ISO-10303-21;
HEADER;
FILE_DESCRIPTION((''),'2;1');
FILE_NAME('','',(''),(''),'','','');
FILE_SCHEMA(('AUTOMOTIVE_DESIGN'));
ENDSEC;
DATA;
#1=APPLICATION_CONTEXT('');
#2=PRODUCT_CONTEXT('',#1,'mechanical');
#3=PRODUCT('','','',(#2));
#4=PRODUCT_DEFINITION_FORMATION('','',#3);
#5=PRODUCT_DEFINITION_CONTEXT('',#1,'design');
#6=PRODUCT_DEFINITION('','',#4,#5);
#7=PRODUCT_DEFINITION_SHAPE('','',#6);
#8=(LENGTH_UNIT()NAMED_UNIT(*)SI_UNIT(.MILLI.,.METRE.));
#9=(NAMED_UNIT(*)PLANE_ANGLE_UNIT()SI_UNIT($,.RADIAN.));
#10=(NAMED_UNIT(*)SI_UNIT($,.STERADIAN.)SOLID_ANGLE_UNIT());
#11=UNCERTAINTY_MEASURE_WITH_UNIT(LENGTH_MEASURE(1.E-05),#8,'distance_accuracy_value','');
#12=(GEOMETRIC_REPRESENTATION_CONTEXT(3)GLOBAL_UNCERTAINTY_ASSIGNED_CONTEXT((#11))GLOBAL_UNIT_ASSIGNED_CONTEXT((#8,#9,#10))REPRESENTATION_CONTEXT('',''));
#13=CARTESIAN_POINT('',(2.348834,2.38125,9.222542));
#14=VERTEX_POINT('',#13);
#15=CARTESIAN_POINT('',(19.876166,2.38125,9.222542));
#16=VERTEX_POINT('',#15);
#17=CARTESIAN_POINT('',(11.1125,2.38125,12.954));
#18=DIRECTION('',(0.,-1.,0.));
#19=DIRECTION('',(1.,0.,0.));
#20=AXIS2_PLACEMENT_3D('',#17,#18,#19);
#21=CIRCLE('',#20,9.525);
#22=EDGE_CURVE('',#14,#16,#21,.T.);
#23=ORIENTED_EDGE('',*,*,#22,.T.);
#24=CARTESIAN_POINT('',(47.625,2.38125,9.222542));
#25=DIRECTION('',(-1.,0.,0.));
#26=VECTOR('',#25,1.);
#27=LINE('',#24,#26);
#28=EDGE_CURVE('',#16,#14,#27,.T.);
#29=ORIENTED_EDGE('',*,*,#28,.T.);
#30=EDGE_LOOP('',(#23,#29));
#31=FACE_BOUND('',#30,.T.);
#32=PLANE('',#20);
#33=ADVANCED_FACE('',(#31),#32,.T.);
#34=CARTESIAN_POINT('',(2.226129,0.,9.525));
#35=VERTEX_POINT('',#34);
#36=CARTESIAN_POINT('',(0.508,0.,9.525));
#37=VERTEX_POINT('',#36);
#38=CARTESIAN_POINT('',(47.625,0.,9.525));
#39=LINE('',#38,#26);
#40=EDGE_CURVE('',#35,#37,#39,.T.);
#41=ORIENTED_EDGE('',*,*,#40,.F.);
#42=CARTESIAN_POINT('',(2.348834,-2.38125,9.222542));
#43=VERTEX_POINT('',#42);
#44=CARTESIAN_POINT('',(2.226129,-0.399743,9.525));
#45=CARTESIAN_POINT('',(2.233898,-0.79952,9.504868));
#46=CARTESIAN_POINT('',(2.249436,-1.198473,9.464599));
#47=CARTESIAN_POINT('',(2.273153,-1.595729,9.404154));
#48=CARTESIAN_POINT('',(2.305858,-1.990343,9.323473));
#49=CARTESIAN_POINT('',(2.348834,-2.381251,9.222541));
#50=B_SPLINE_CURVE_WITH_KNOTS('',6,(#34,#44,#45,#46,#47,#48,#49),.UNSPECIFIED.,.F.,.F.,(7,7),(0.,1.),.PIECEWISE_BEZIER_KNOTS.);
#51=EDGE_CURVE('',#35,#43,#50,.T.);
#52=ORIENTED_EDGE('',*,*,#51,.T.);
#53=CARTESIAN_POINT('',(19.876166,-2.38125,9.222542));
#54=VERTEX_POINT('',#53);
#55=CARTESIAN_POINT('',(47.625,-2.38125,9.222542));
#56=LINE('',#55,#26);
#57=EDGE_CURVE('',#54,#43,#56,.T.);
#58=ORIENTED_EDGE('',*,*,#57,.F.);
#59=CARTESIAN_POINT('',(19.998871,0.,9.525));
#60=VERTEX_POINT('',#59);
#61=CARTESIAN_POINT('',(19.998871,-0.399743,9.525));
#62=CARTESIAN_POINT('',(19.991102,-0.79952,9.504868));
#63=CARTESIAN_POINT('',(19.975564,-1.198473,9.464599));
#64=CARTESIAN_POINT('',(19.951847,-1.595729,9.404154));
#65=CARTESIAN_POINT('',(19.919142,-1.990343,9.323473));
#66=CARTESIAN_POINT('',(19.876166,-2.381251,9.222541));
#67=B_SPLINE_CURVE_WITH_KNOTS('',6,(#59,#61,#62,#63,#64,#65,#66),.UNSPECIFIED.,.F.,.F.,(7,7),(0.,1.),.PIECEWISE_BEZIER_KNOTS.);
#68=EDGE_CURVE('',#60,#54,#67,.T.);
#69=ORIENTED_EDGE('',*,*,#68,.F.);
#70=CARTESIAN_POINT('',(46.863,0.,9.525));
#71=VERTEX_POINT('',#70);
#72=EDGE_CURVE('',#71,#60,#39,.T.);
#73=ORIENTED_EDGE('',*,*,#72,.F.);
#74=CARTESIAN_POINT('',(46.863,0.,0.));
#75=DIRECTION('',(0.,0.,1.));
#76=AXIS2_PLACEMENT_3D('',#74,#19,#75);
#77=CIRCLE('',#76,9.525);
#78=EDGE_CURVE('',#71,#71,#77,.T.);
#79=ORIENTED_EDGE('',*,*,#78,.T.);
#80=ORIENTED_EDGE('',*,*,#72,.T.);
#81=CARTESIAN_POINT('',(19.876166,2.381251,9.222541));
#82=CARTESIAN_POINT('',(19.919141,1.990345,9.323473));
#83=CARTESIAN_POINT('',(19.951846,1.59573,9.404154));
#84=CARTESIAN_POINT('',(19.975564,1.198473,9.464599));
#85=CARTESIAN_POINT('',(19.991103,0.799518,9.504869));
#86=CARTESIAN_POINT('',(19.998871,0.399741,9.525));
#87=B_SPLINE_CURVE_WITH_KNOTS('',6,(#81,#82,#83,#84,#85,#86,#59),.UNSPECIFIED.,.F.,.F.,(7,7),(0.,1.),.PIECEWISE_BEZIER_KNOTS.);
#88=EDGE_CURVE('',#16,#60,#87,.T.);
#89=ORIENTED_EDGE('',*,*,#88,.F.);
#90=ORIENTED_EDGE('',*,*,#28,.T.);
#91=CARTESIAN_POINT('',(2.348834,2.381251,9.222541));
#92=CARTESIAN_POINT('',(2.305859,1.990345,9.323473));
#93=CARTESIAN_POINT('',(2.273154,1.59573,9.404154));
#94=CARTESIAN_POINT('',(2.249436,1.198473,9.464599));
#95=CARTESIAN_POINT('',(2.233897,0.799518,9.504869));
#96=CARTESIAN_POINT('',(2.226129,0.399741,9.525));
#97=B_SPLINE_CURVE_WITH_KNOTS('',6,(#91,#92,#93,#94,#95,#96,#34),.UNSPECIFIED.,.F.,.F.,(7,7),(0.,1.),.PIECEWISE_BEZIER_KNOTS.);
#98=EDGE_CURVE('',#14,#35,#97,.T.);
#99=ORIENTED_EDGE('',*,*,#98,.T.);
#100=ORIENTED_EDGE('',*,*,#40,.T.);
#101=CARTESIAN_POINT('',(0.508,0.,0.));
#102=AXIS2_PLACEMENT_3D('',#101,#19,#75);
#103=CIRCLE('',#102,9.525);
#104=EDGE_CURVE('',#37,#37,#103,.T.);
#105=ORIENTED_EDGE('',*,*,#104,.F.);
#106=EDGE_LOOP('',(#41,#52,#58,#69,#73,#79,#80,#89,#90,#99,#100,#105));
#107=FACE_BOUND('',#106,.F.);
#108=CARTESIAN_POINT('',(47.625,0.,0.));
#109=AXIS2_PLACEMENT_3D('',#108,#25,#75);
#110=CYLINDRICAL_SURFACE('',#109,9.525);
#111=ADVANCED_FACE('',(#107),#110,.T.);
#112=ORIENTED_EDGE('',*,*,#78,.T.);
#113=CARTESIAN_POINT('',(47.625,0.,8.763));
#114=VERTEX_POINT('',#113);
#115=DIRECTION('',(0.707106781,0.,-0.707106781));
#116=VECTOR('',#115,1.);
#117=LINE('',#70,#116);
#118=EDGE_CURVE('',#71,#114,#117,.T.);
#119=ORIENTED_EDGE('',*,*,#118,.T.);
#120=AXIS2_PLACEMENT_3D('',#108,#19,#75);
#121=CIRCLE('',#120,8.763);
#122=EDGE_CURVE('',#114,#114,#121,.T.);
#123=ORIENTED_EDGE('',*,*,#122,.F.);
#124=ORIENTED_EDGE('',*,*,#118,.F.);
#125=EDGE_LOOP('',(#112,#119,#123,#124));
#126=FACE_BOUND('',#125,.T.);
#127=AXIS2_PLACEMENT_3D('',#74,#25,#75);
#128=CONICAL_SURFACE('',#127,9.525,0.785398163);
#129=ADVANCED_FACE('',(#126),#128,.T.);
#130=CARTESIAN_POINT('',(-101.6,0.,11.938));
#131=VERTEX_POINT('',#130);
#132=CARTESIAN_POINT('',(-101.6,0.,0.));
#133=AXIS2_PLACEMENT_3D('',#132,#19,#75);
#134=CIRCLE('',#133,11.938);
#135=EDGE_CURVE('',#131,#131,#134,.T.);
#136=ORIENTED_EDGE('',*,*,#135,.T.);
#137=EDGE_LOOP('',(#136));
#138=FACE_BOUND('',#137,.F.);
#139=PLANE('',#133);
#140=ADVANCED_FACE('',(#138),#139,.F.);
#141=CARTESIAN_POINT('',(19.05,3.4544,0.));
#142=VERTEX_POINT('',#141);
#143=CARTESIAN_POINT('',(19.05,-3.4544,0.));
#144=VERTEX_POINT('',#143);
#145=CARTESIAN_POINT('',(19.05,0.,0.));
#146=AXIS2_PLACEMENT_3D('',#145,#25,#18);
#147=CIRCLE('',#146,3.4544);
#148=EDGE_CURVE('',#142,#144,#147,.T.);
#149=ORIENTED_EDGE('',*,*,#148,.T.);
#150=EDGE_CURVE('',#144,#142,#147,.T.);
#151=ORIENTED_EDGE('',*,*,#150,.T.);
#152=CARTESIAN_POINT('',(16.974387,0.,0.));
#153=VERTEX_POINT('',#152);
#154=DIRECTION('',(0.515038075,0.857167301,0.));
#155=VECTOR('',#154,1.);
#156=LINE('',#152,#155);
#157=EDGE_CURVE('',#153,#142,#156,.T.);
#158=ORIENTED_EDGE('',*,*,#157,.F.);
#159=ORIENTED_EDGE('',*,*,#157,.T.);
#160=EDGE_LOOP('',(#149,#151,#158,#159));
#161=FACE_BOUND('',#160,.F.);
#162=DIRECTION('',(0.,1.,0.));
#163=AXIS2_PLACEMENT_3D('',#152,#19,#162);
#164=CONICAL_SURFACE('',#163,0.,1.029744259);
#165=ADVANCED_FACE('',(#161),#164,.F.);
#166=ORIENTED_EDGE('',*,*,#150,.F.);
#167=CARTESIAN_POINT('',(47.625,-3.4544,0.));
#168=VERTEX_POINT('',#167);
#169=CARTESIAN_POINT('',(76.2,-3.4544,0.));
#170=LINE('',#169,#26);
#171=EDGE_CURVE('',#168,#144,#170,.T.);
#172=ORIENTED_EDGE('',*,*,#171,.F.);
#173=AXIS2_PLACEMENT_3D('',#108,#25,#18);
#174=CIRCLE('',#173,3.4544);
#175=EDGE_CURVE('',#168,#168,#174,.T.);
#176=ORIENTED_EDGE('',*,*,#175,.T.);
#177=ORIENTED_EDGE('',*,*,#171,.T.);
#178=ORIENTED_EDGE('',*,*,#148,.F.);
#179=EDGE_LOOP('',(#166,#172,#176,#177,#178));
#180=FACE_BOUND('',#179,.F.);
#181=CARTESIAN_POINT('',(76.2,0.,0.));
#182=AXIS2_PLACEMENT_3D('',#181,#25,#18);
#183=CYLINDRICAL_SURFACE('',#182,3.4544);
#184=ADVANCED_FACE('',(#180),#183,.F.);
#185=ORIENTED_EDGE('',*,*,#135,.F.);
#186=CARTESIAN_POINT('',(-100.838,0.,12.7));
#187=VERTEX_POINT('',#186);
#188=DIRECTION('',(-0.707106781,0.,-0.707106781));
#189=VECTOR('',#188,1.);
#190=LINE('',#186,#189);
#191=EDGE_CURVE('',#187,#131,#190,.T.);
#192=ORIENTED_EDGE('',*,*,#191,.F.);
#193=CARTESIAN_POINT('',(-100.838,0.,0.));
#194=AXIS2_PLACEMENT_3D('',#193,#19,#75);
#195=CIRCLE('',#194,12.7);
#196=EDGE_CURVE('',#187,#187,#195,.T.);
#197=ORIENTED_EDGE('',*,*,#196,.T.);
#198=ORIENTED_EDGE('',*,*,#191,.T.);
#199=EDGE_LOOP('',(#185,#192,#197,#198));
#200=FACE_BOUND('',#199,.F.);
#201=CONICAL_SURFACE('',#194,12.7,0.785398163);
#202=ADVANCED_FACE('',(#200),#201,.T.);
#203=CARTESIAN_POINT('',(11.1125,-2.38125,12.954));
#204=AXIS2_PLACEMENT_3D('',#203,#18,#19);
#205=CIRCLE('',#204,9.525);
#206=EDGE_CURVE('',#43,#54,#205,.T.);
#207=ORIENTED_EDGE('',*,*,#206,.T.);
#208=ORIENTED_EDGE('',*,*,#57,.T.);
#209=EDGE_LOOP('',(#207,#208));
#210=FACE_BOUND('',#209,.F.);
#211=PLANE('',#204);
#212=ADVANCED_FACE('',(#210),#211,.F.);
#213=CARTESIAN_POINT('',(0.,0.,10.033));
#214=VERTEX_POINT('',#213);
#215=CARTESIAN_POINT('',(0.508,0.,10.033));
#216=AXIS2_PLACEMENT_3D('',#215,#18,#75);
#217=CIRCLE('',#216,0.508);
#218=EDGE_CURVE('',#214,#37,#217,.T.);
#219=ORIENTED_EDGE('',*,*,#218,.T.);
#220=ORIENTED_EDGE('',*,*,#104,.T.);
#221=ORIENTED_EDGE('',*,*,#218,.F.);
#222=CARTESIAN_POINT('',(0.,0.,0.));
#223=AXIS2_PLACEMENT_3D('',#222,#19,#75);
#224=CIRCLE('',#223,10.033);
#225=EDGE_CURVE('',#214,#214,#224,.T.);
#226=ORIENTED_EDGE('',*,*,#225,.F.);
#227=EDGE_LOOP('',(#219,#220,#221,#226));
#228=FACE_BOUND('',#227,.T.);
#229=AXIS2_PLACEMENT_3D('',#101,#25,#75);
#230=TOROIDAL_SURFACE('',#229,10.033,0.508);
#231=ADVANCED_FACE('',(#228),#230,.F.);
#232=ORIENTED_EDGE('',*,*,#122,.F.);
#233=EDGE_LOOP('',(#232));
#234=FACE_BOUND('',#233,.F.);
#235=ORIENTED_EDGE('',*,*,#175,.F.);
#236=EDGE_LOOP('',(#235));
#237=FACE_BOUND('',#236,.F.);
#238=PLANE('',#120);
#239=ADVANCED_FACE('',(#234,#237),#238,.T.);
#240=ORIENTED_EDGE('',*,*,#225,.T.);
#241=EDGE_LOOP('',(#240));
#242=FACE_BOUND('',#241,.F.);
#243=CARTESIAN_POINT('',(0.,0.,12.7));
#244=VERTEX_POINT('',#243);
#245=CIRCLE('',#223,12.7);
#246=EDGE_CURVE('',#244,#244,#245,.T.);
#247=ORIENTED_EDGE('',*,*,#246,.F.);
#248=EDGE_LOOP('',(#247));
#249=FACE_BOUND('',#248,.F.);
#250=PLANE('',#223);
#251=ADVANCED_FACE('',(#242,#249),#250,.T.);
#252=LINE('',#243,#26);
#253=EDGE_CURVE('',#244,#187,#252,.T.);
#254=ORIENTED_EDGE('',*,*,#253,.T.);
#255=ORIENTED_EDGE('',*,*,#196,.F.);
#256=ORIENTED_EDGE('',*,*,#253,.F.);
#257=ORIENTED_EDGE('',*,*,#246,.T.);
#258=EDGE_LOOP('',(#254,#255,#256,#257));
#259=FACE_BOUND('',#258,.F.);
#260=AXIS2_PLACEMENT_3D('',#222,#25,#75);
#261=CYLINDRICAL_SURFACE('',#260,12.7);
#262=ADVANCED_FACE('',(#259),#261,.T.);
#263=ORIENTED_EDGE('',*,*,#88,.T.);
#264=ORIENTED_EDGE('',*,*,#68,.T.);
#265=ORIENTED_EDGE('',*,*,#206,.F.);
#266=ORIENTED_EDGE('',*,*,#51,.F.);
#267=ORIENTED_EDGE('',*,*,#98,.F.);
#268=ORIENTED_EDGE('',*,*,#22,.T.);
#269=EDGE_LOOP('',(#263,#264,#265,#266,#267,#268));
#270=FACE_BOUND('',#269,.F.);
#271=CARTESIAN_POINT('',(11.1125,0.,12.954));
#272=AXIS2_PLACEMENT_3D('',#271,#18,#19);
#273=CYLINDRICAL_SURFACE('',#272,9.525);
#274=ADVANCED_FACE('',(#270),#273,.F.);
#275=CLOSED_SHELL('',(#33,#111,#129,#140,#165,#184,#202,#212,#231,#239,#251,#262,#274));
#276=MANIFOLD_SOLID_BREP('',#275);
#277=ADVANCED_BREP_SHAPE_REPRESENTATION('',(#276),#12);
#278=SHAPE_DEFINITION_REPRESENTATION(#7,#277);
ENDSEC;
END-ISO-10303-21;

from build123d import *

# Parameters (mm, degrees)
F3_D     = 6.9088
F3_DEPTH = 28.575
F3_TIP   = 2.0756129224
F4_R     = 9.525
F5_DEPTH = 2.38125
F6_R     = 0.508
F7_SIZE  = 0.762


with BuildPart() as f1:
    # F0 (on Front) → F1 (revolve)
    with BuildSketch(Plane.XZ):
        Polygon((-101.6, 12.7), (-101.6, 0), (47.625, 0), (47.625, 9.525), (0, 9.525), (0, 12.7), align=None)
    revolve(axis=Axis((-26.9875, 0, 0), (1, 0, 0)))

    # F3
    with Locations(Plane.YZ.offset(47.625)):
        with Locations((0, 0)):
            Hole(F3_D / 2, depth=F3_DEPTH)
            with Locations((0, 0, -(F3_DEPTH + F3_TIP / 2))):  # 118° drill point
                Cone(0, F3_D / 2, F3_TIP, mode=Mode.SUBTRACT)

    # F4 (on Front) → F5 (cut, symmetric)
    with BuildSketch(Plane.XZ):
        with Locations((11.1125, 12.954)):
            Circle(F4_R)
    extrude(amount=F5_DEPTH, both=True, mode=Mode.SUBTRACT)

    # F6
    f6_edges = [f1.edges().sort_by_distance(p)[0] for p in [
        (0, 0, -9.525),
    ]]
    fillet(f6_edges, radius=F6_R)

    # F7
    f7_edges = [f1.edges().sort_by_distance(p)[0] for p in [
        (-101.6, 0, -12.7),
        (47.625, 0, -9.525),
    ]]
    chamfer(f7_edges, length=F7_SIZE)


solid = f1.part
